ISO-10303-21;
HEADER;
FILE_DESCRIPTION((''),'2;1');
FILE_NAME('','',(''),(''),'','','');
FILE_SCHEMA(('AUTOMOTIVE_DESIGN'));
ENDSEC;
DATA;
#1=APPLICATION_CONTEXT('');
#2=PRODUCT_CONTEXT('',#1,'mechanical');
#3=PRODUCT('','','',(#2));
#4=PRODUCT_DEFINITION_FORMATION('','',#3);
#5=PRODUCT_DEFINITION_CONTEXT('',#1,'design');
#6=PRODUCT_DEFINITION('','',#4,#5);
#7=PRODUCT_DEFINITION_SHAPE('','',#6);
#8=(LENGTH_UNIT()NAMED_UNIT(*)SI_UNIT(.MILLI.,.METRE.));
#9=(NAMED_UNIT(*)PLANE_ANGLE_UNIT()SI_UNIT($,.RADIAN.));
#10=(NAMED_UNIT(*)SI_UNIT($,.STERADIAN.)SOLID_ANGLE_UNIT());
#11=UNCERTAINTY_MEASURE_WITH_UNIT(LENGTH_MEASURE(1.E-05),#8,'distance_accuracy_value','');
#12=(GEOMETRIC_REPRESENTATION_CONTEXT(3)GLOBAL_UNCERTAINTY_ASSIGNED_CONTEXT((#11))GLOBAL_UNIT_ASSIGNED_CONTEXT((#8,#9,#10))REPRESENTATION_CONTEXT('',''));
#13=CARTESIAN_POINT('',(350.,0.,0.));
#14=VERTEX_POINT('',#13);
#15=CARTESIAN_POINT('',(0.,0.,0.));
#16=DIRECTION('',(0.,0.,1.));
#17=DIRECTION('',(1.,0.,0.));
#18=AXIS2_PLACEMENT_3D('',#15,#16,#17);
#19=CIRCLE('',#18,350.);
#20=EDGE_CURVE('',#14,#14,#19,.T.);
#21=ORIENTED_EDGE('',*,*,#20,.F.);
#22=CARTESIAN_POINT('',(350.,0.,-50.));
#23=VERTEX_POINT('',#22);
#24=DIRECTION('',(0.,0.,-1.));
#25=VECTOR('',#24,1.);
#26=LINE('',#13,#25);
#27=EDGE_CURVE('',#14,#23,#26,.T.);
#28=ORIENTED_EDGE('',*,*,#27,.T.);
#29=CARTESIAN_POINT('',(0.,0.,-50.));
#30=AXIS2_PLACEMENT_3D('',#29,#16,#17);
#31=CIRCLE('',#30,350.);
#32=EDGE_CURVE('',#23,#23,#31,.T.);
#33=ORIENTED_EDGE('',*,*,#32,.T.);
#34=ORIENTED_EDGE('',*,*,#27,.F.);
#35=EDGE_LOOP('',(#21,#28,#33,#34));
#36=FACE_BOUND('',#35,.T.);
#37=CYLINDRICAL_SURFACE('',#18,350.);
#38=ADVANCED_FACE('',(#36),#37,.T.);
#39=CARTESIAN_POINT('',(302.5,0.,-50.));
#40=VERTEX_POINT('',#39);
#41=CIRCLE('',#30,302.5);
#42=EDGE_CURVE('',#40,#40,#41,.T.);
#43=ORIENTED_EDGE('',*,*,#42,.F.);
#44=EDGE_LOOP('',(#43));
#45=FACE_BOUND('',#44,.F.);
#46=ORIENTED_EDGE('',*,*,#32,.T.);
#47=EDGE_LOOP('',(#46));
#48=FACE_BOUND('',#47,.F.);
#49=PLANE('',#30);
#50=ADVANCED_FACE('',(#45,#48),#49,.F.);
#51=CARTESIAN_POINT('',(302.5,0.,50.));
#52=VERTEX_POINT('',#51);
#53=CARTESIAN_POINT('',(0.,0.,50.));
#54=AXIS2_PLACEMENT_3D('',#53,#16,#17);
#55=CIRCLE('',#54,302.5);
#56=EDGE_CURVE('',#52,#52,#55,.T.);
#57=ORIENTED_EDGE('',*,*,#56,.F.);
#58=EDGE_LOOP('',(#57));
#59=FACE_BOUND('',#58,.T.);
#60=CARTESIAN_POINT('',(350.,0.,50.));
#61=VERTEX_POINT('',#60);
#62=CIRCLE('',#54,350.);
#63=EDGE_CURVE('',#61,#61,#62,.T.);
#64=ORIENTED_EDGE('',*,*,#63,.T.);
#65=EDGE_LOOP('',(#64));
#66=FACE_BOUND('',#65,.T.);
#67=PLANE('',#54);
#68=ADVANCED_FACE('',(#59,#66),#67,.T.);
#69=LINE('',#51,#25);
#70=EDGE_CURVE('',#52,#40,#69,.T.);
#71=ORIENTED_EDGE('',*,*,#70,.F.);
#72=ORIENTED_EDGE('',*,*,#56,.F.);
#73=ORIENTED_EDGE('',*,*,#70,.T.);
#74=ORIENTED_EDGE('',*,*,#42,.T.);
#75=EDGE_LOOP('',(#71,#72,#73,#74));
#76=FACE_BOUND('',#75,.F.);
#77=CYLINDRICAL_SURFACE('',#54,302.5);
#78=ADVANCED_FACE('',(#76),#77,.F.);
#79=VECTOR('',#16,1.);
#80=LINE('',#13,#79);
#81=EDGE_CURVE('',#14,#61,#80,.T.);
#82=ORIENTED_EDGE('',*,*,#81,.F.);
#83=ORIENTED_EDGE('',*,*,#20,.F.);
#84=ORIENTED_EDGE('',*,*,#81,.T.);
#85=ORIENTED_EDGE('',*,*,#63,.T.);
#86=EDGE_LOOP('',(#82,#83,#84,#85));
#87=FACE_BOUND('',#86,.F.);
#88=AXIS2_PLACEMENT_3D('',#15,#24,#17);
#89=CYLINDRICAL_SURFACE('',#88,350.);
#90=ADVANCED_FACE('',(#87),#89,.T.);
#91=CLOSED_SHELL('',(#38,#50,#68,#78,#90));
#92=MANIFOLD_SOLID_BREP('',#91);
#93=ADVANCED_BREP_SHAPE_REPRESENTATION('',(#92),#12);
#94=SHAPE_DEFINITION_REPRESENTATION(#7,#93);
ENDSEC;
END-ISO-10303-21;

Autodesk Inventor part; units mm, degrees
ref_plane "YZ Plane" through (0, 0, 0) normal (1, 0, 0) x (0, 1, 0)
ref_plane "XZ Plane" through (0, 0, 0) normal (0, 1, 0) x (-1, 0, 0)
ref_plane "XY Plane" through (0, 0, 0) normal (0, 0, 1) x (1, 0, 0)
sketch "Sketch1" plane through (0, 0, 0) normal (0, 0, 1) x (1, 0, 0)
  circle A0 centre (0, 0) radius 350
  dimension "d0" = 700
extrude "Extrusion1" add sketch "Sketch1" along normal mid plane 100
sketch "Sketch2" plane through (0, 0, 50) normal (0, 0, 1) x (1, 0, 0)
  circle A0 centre (0, 0) radius 302.5
  dimension "d3" = 605
extrude "Extrusion2" cut sketch "Sketch2" against normal through all
properties part number "AGBL08_2"
